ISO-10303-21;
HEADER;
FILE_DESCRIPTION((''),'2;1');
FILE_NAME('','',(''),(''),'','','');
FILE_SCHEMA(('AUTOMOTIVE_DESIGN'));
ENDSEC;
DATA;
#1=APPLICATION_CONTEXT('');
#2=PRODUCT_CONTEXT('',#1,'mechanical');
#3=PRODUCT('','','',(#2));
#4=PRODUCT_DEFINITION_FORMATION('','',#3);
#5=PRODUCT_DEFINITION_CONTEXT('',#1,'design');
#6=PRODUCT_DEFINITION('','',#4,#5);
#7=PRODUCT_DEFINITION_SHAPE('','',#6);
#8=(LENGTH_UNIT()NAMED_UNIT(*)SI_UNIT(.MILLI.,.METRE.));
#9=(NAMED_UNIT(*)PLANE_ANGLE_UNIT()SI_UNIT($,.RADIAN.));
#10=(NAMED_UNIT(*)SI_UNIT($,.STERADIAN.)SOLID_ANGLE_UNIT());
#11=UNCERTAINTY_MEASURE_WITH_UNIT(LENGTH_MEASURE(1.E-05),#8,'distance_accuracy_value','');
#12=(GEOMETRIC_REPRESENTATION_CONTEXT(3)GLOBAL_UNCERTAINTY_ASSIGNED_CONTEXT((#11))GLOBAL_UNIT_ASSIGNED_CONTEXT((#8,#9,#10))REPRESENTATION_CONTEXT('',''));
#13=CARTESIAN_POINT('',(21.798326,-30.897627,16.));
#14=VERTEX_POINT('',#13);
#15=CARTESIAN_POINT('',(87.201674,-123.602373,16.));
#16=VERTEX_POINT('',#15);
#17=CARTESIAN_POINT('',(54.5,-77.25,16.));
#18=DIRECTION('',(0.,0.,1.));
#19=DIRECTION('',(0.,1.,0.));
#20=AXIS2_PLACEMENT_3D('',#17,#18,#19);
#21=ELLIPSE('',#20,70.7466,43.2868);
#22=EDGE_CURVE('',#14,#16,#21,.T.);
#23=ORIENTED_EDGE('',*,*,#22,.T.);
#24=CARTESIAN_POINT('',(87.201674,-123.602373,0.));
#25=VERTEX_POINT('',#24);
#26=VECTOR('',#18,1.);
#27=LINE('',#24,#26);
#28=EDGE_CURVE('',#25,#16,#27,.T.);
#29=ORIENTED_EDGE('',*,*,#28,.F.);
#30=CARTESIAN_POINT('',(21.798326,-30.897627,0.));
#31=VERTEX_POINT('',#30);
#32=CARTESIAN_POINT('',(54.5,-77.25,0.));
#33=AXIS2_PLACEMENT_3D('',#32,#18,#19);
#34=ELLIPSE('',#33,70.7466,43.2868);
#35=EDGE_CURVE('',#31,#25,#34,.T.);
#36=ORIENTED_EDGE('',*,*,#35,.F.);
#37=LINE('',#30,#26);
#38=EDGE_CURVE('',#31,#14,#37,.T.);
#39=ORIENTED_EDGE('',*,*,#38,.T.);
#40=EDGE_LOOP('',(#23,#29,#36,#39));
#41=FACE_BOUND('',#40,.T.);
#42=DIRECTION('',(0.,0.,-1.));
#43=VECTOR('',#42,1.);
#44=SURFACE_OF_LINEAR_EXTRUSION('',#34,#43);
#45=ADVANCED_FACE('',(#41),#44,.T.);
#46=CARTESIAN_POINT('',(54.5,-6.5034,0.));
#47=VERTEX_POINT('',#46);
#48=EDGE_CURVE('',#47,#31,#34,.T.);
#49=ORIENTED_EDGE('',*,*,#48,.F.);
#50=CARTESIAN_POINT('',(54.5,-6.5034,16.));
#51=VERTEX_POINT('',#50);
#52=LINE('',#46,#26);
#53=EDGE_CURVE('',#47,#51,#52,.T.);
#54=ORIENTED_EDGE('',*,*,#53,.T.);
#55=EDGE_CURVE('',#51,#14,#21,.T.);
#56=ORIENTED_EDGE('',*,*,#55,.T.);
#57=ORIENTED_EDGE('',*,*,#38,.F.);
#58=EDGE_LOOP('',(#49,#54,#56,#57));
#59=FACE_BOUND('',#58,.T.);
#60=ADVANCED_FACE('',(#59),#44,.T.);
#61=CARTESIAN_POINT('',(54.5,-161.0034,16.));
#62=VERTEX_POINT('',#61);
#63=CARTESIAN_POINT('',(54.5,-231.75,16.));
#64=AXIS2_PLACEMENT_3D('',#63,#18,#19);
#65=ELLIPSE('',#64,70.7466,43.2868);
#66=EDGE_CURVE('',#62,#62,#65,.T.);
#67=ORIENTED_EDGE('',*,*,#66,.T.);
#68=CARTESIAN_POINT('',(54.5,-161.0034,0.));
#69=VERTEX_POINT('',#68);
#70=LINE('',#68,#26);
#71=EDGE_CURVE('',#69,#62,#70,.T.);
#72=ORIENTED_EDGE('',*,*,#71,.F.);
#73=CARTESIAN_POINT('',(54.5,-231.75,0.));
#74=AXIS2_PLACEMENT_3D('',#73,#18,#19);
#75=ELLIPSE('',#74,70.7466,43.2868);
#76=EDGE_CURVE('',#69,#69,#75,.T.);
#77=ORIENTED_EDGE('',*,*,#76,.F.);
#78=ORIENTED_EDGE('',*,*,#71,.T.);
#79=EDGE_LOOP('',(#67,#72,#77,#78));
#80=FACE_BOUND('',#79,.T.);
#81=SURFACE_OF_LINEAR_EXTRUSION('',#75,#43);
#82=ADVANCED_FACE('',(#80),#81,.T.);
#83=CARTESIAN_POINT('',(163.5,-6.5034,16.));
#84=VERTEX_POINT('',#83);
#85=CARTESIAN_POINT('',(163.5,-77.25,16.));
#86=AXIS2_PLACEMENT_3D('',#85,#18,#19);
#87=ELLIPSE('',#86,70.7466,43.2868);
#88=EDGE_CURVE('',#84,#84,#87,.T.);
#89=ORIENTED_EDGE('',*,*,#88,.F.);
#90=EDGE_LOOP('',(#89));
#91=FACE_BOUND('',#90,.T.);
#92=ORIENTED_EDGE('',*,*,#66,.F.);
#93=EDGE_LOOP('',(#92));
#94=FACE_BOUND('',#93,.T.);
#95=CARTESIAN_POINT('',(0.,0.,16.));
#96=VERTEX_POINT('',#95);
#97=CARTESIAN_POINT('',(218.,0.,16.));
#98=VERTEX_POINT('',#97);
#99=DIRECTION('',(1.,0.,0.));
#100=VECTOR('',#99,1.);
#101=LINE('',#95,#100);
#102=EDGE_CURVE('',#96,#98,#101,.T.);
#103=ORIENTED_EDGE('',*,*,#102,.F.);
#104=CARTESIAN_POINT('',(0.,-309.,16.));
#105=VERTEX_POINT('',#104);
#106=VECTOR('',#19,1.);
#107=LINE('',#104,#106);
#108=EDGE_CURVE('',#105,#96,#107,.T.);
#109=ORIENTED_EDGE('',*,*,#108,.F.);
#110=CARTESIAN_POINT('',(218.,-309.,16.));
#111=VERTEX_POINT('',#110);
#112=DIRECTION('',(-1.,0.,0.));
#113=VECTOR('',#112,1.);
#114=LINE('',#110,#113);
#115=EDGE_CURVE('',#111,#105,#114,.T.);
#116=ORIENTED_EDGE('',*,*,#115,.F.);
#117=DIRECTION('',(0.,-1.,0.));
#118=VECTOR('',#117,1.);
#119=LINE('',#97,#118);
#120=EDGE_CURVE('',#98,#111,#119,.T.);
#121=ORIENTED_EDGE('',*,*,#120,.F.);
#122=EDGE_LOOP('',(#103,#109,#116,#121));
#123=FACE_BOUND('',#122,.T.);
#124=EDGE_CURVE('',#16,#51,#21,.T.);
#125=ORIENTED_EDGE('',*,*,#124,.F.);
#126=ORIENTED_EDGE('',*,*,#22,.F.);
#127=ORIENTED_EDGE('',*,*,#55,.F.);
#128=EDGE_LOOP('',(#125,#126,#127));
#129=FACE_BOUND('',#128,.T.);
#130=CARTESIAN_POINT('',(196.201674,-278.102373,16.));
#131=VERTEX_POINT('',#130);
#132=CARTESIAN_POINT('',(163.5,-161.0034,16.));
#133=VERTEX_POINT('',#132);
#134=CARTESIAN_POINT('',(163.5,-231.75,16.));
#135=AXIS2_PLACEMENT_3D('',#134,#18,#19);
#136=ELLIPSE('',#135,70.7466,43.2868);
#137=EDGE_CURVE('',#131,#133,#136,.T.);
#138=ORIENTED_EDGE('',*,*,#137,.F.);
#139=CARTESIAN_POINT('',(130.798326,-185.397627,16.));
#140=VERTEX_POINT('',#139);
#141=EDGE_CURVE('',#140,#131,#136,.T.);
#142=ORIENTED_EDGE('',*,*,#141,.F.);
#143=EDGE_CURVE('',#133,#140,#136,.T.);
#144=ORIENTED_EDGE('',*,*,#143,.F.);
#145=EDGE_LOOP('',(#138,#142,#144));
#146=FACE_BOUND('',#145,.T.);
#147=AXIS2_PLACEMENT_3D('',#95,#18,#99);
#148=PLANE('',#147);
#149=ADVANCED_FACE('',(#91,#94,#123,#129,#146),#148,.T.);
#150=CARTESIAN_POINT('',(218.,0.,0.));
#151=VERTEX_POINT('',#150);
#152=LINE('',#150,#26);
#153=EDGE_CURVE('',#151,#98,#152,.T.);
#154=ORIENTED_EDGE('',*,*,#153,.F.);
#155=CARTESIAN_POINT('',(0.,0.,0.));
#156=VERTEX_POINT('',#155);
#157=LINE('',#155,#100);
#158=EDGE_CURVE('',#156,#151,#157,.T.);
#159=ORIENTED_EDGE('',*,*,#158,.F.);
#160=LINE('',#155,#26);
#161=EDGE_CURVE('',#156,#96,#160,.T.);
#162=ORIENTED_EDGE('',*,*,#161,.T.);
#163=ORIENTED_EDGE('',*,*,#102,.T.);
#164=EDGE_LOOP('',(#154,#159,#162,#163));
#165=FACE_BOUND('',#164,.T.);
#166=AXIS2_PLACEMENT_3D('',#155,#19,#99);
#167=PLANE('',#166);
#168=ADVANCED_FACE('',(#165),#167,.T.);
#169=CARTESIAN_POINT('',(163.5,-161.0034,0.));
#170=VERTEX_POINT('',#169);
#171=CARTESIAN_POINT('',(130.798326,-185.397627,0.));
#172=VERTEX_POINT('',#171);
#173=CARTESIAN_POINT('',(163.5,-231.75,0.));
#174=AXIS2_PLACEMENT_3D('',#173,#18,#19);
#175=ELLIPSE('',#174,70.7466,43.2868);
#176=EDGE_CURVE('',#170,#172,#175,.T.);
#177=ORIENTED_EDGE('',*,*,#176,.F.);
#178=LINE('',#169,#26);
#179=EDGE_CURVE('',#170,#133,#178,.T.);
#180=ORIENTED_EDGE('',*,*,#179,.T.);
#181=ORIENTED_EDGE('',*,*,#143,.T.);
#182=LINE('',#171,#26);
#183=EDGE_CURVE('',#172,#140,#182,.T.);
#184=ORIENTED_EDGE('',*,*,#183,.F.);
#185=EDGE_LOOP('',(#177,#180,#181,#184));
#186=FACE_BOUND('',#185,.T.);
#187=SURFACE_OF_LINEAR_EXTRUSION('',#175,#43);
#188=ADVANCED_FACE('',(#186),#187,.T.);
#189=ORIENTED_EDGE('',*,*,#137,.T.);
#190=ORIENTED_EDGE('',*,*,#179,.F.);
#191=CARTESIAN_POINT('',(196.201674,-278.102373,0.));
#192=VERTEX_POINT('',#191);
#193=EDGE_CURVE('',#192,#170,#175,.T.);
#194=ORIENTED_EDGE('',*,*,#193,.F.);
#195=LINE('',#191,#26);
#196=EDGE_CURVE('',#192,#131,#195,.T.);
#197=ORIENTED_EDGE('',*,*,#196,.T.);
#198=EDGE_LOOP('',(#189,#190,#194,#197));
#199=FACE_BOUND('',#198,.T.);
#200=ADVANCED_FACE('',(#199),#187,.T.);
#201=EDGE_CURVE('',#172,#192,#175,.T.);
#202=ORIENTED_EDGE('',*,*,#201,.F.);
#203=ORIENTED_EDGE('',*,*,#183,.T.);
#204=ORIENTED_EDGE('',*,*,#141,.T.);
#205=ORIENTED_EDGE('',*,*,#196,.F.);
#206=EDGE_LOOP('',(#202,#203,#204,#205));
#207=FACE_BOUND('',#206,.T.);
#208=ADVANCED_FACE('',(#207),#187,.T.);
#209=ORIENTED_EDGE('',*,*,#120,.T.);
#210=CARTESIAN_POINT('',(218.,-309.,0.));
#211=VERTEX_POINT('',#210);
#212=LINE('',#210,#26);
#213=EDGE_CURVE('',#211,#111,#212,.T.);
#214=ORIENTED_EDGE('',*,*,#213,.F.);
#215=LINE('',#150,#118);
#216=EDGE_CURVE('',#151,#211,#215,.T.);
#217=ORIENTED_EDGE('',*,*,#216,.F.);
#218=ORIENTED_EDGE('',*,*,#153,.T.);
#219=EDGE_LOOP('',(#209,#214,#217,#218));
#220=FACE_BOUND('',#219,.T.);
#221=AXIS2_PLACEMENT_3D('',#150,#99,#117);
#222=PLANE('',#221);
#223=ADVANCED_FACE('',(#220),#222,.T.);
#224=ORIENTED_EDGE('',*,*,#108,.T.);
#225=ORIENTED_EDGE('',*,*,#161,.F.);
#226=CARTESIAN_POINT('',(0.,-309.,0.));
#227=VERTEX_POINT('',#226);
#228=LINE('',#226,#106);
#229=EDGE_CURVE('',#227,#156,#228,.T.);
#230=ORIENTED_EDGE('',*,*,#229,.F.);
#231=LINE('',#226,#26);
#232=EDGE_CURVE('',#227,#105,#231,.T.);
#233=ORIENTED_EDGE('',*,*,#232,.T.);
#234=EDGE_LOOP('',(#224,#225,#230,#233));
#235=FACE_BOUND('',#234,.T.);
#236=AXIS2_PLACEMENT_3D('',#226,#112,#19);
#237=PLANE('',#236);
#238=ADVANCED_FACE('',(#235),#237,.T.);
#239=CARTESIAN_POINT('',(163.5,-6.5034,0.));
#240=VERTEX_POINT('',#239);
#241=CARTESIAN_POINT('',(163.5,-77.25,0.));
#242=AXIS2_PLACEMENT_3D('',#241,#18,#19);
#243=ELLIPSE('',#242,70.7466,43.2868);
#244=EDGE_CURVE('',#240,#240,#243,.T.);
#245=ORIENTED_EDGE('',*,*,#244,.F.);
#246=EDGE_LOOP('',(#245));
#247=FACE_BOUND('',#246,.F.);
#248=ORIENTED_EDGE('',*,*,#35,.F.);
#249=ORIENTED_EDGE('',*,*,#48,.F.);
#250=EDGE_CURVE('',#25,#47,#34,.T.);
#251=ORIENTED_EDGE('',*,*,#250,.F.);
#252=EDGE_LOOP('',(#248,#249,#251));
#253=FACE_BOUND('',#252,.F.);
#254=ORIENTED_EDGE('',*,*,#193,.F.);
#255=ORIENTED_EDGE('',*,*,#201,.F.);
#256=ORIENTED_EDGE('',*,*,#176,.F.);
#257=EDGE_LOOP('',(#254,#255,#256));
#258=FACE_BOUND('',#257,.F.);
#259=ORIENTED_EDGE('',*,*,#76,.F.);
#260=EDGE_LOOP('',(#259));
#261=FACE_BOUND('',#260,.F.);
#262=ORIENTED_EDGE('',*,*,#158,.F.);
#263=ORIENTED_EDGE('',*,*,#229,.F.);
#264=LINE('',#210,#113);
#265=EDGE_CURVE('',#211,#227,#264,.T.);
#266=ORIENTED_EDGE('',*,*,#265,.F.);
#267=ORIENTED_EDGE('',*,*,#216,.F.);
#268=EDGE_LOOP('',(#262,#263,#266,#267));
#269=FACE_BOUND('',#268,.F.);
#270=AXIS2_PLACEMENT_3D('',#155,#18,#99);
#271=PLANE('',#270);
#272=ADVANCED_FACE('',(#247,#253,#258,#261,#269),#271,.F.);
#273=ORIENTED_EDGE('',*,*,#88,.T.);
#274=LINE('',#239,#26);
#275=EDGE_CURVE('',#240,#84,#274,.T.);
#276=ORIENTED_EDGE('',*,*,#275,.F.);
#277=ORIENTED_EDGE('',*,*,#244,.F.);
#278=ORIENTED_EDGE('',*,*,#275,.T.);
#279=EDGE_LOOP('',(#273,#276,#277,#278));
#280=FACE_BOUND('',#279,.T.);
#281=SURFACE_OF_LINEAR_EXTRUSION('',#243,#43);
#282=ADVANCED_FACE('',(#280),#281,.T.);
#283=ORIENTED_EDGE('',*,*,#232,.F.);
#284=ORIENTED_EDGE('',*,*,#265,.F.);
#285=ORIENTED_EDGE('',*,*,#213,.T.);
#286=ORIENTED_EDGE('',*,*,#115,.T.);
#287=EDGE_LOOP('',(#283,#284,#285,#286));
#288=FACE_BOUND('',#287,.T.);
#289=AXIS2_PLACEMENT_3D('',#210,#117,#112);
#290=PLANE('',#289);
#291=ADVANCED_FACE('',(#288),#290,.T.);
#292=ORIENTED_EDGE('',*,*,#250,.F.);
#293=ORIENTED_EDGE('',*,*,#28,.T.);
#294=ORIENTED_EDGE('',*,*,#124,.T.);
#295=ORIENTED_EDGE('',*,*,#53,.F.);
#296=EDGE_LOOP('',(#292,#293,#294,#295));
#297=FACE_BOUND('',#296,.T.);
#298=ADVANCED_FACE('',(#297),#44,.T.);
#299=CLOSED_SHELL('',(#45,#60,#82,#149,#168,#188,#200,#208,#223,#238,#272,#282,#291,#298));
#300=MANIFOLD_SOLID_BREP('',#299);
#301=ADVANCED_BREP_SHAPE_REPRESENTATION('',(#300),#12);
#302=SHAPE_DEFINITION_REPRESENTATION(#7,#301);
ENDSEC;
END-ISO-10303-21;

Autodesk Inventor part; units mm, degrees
ref_plane "YZ Plane" through (0, 0, 0) normal (1, 0, 0) x (0, 1, 0)
ref_plane "XZ Plane" through (0, 0, 0) normal (0, 1, 0) x (-1, 0, 0)
ref_plane "XY Plane" through (0, 0, 0) normal (0, 0, 1) x (1, 0, 0)
sketch "Эскиз1" plane through (0, 0, 0) normal (0, 0, 1) x (1, 0, 0)
  line L0 (0, 0) -> (218, 0)
  line L1 (218, 0) -> (218, -309)
  line L2 (218, -309) -> (0, -309)
  line L3 (0, -309) -> (0, 0)
  line L4 (0, 0) -> (218, -309)
  line L5 (218, 0) -> (0, -309) construction
  line L6 (0, -154.5) -> (218, -154.5) construction
  line L7 (109, 0) -> (109, -309) construction
  line L8 (109, 0) -> (0, -154.5) construction
  line L9 (0, -154.5) -> (109, -309) construction
  line L10 (109, -309) -> (218, -154.5) construction
  line L11 (218, -154.5) -> (109, 0) construction
  ellipse E0 centre (163.5, -231.75) end of major axis (163.5, -161.0034) minor radius 43.2868
  ellipse E1 centre (54.5, -231.75) end of major axis (54.5, -161.0034) minor radius 43.2868
  ellipse E2 centre (163.5, -77.25) end of major axis (163.5, -6.5034) minor radius 43.2868
  ellipse E3 centre (54.5, -77.25) end of major axis (54.5, -6.5034) minor radius 43.2868
  dimension "d0" = 218
  dimension "d1" = 309
extrude "Выдавливание2" add sketch "Эскиз1" along normal blind 16 contours L4 E3 E0 L2 L3 | L0 L1 L4 E0 E3
properties part number "ArmDesk" material "Древесно-стружечная плита"
